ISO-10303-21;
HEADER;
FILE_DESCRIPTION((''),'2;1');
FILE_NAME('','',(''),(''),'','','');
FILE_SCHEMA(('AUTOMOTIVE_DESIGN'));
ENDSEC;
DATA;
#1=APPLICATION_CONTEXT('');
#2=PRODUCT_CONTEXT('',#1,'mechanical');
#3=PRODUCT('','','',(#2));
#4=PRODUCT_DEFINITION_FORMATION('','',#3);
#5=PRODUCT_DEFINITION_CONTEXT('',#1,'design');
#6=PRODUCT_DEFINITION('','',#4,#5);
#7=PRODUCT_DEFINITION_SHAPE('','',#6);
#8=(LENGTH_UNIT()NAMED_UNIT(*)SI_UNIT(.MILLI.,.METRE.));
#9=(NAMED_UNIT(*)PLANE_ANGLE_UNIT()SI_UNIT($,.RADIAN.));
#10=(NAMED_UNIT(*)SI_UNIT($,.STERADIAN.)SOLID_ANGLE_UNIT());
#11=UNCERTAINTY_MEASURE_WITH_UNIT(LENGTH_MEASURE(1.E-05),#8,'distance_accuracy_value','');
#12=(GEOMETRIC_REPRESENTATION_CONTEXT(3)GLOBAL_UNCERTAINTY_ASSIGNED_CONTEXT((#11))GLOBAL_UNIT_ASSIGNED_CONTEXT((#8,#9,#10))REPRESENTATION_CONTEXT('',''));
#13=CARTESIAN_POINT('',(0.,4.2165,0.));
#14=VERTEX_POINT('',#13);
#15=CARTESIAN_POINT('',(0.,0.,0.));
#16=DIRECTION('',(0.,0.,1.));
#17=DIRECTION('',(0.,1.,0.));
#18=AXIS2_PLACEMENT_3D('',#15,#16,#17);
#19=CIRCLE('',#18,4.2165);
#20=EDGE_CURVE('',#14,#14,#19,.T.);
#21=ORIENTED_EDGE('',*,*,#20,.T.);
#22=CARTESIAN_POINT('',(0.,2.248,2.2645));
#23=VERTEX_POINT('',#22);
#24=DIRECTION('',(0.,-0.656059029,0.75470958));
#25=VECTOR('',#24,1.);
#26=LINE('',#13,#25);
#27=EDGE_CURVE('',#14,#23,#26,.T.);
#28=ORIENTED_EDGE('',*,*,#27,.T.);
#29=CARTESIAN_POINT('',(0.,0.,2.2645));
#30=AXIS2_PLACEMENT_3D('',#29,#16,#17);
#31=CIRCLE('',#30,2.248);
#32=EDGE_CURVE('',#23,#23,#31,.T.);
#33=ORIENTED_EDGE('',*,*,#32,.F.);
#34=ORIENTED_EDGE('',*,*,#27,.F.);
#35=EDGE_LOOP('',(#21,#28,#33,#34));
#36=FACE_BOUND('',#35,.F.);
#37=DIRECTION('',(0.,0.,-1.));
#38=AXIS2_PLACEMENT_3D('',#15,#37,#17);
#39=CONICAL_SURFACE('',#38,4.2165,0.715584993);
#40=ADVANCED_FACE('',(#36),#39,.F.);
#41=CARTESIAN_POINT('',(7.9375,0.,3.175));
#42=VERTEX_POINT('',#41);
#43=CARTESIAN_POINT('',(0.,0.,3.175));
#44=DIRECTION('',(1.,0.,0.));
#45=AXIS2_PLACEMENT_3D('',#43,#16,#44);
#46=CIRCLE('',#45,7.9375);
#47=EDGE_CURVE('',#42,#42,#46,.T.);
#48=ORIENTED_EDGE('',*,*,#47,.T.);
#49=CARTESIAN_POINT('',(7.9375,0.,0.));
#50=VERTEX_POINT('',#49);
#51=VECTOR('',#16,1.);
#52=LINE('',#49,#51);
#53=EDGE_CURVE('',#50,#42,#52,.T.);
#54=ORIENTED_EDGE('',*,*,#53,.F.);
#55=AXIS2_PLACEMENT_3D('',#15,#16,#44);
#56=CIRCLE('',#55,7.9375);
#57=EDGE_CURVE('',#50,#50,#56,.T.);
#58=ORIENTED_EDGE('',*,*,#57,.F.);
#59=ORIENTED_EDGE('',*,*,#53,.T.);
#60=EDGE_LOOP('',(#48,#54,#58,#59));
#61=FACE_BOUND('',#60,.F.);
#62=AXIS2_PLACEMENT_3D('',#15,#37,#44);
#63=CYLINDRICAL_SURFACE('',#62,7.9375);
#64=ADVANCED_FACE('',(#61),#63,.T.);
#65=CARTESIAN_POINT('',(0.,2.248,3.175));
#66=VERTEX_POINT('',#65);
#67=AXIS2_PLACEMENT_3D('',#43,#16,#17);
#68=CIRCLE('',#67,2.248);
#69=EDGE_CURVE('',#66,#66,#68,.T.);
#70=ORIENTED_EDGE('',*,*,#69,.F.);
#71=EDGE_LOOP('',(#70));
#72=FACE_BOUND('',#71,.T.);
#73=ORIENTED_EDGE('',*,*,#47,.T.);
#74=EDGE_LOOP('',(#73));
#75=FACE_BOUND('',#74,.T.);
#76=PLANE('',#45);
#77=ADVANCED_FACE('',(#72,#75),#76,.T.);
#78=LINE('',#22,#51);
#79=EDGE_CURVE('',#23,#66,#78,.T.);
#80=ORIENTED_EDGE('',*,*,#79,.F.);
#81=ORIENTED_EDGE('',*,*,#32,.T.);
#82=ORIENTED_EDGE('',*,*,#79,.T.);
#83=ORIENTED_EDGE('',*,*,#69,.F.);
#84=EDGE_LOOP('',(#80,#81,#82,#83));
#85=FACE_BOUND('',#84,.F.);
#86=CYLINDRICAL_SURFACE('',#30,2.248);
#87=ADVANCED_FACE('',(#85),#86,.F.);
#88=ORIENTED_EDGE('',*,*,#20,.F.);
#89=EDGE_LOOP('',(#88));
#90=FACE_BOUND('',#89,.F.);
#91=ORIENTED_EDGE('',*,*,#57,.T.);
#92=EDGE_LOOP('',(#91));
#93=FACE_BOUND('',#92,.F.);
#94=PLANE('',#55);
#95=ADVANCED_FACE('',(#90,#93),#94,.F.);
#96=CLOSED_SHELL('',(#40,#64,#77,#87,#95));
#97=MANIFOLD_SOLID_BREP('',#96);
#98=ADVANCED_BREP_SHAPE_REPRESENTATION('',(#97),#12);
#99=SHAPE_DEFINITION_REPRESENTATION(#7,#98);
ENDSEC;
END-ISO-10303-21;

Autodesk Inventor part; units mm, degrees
ref_plane "YZ Plane" through (0, 0, 0) normal (1, 0, 0) x (0, 1, 0)
ref_plane "XZ Plane" through (0, 0, 0) normal (0, 1, 0) x (-1, 0, 0)
ref_plane "XY Plane" through (0, 0, 0) normal (0, 0, 1) x (1, 0, 0)
sketch "Sketch1" plane through (0, 0, 0) normal (0, 0, 1) x (1, 0, 0)
  circle A0 centre (0, 0) radius 7.9375
  dimension "d0" = 15.875
extrude "Extrusion1" add sketch "Sketch1" along normal blind 3.175
hole "Hole1" at (0, 0, 0) direction (0, 0, 1) diameter 4.496 end through all countersink diameter 8.433 countersink angle 82 clearance for "Flat Head Machine Screw (82)" size "#8" standard "Ansi Unified Screw Threads"
properties part number "Magnet"
